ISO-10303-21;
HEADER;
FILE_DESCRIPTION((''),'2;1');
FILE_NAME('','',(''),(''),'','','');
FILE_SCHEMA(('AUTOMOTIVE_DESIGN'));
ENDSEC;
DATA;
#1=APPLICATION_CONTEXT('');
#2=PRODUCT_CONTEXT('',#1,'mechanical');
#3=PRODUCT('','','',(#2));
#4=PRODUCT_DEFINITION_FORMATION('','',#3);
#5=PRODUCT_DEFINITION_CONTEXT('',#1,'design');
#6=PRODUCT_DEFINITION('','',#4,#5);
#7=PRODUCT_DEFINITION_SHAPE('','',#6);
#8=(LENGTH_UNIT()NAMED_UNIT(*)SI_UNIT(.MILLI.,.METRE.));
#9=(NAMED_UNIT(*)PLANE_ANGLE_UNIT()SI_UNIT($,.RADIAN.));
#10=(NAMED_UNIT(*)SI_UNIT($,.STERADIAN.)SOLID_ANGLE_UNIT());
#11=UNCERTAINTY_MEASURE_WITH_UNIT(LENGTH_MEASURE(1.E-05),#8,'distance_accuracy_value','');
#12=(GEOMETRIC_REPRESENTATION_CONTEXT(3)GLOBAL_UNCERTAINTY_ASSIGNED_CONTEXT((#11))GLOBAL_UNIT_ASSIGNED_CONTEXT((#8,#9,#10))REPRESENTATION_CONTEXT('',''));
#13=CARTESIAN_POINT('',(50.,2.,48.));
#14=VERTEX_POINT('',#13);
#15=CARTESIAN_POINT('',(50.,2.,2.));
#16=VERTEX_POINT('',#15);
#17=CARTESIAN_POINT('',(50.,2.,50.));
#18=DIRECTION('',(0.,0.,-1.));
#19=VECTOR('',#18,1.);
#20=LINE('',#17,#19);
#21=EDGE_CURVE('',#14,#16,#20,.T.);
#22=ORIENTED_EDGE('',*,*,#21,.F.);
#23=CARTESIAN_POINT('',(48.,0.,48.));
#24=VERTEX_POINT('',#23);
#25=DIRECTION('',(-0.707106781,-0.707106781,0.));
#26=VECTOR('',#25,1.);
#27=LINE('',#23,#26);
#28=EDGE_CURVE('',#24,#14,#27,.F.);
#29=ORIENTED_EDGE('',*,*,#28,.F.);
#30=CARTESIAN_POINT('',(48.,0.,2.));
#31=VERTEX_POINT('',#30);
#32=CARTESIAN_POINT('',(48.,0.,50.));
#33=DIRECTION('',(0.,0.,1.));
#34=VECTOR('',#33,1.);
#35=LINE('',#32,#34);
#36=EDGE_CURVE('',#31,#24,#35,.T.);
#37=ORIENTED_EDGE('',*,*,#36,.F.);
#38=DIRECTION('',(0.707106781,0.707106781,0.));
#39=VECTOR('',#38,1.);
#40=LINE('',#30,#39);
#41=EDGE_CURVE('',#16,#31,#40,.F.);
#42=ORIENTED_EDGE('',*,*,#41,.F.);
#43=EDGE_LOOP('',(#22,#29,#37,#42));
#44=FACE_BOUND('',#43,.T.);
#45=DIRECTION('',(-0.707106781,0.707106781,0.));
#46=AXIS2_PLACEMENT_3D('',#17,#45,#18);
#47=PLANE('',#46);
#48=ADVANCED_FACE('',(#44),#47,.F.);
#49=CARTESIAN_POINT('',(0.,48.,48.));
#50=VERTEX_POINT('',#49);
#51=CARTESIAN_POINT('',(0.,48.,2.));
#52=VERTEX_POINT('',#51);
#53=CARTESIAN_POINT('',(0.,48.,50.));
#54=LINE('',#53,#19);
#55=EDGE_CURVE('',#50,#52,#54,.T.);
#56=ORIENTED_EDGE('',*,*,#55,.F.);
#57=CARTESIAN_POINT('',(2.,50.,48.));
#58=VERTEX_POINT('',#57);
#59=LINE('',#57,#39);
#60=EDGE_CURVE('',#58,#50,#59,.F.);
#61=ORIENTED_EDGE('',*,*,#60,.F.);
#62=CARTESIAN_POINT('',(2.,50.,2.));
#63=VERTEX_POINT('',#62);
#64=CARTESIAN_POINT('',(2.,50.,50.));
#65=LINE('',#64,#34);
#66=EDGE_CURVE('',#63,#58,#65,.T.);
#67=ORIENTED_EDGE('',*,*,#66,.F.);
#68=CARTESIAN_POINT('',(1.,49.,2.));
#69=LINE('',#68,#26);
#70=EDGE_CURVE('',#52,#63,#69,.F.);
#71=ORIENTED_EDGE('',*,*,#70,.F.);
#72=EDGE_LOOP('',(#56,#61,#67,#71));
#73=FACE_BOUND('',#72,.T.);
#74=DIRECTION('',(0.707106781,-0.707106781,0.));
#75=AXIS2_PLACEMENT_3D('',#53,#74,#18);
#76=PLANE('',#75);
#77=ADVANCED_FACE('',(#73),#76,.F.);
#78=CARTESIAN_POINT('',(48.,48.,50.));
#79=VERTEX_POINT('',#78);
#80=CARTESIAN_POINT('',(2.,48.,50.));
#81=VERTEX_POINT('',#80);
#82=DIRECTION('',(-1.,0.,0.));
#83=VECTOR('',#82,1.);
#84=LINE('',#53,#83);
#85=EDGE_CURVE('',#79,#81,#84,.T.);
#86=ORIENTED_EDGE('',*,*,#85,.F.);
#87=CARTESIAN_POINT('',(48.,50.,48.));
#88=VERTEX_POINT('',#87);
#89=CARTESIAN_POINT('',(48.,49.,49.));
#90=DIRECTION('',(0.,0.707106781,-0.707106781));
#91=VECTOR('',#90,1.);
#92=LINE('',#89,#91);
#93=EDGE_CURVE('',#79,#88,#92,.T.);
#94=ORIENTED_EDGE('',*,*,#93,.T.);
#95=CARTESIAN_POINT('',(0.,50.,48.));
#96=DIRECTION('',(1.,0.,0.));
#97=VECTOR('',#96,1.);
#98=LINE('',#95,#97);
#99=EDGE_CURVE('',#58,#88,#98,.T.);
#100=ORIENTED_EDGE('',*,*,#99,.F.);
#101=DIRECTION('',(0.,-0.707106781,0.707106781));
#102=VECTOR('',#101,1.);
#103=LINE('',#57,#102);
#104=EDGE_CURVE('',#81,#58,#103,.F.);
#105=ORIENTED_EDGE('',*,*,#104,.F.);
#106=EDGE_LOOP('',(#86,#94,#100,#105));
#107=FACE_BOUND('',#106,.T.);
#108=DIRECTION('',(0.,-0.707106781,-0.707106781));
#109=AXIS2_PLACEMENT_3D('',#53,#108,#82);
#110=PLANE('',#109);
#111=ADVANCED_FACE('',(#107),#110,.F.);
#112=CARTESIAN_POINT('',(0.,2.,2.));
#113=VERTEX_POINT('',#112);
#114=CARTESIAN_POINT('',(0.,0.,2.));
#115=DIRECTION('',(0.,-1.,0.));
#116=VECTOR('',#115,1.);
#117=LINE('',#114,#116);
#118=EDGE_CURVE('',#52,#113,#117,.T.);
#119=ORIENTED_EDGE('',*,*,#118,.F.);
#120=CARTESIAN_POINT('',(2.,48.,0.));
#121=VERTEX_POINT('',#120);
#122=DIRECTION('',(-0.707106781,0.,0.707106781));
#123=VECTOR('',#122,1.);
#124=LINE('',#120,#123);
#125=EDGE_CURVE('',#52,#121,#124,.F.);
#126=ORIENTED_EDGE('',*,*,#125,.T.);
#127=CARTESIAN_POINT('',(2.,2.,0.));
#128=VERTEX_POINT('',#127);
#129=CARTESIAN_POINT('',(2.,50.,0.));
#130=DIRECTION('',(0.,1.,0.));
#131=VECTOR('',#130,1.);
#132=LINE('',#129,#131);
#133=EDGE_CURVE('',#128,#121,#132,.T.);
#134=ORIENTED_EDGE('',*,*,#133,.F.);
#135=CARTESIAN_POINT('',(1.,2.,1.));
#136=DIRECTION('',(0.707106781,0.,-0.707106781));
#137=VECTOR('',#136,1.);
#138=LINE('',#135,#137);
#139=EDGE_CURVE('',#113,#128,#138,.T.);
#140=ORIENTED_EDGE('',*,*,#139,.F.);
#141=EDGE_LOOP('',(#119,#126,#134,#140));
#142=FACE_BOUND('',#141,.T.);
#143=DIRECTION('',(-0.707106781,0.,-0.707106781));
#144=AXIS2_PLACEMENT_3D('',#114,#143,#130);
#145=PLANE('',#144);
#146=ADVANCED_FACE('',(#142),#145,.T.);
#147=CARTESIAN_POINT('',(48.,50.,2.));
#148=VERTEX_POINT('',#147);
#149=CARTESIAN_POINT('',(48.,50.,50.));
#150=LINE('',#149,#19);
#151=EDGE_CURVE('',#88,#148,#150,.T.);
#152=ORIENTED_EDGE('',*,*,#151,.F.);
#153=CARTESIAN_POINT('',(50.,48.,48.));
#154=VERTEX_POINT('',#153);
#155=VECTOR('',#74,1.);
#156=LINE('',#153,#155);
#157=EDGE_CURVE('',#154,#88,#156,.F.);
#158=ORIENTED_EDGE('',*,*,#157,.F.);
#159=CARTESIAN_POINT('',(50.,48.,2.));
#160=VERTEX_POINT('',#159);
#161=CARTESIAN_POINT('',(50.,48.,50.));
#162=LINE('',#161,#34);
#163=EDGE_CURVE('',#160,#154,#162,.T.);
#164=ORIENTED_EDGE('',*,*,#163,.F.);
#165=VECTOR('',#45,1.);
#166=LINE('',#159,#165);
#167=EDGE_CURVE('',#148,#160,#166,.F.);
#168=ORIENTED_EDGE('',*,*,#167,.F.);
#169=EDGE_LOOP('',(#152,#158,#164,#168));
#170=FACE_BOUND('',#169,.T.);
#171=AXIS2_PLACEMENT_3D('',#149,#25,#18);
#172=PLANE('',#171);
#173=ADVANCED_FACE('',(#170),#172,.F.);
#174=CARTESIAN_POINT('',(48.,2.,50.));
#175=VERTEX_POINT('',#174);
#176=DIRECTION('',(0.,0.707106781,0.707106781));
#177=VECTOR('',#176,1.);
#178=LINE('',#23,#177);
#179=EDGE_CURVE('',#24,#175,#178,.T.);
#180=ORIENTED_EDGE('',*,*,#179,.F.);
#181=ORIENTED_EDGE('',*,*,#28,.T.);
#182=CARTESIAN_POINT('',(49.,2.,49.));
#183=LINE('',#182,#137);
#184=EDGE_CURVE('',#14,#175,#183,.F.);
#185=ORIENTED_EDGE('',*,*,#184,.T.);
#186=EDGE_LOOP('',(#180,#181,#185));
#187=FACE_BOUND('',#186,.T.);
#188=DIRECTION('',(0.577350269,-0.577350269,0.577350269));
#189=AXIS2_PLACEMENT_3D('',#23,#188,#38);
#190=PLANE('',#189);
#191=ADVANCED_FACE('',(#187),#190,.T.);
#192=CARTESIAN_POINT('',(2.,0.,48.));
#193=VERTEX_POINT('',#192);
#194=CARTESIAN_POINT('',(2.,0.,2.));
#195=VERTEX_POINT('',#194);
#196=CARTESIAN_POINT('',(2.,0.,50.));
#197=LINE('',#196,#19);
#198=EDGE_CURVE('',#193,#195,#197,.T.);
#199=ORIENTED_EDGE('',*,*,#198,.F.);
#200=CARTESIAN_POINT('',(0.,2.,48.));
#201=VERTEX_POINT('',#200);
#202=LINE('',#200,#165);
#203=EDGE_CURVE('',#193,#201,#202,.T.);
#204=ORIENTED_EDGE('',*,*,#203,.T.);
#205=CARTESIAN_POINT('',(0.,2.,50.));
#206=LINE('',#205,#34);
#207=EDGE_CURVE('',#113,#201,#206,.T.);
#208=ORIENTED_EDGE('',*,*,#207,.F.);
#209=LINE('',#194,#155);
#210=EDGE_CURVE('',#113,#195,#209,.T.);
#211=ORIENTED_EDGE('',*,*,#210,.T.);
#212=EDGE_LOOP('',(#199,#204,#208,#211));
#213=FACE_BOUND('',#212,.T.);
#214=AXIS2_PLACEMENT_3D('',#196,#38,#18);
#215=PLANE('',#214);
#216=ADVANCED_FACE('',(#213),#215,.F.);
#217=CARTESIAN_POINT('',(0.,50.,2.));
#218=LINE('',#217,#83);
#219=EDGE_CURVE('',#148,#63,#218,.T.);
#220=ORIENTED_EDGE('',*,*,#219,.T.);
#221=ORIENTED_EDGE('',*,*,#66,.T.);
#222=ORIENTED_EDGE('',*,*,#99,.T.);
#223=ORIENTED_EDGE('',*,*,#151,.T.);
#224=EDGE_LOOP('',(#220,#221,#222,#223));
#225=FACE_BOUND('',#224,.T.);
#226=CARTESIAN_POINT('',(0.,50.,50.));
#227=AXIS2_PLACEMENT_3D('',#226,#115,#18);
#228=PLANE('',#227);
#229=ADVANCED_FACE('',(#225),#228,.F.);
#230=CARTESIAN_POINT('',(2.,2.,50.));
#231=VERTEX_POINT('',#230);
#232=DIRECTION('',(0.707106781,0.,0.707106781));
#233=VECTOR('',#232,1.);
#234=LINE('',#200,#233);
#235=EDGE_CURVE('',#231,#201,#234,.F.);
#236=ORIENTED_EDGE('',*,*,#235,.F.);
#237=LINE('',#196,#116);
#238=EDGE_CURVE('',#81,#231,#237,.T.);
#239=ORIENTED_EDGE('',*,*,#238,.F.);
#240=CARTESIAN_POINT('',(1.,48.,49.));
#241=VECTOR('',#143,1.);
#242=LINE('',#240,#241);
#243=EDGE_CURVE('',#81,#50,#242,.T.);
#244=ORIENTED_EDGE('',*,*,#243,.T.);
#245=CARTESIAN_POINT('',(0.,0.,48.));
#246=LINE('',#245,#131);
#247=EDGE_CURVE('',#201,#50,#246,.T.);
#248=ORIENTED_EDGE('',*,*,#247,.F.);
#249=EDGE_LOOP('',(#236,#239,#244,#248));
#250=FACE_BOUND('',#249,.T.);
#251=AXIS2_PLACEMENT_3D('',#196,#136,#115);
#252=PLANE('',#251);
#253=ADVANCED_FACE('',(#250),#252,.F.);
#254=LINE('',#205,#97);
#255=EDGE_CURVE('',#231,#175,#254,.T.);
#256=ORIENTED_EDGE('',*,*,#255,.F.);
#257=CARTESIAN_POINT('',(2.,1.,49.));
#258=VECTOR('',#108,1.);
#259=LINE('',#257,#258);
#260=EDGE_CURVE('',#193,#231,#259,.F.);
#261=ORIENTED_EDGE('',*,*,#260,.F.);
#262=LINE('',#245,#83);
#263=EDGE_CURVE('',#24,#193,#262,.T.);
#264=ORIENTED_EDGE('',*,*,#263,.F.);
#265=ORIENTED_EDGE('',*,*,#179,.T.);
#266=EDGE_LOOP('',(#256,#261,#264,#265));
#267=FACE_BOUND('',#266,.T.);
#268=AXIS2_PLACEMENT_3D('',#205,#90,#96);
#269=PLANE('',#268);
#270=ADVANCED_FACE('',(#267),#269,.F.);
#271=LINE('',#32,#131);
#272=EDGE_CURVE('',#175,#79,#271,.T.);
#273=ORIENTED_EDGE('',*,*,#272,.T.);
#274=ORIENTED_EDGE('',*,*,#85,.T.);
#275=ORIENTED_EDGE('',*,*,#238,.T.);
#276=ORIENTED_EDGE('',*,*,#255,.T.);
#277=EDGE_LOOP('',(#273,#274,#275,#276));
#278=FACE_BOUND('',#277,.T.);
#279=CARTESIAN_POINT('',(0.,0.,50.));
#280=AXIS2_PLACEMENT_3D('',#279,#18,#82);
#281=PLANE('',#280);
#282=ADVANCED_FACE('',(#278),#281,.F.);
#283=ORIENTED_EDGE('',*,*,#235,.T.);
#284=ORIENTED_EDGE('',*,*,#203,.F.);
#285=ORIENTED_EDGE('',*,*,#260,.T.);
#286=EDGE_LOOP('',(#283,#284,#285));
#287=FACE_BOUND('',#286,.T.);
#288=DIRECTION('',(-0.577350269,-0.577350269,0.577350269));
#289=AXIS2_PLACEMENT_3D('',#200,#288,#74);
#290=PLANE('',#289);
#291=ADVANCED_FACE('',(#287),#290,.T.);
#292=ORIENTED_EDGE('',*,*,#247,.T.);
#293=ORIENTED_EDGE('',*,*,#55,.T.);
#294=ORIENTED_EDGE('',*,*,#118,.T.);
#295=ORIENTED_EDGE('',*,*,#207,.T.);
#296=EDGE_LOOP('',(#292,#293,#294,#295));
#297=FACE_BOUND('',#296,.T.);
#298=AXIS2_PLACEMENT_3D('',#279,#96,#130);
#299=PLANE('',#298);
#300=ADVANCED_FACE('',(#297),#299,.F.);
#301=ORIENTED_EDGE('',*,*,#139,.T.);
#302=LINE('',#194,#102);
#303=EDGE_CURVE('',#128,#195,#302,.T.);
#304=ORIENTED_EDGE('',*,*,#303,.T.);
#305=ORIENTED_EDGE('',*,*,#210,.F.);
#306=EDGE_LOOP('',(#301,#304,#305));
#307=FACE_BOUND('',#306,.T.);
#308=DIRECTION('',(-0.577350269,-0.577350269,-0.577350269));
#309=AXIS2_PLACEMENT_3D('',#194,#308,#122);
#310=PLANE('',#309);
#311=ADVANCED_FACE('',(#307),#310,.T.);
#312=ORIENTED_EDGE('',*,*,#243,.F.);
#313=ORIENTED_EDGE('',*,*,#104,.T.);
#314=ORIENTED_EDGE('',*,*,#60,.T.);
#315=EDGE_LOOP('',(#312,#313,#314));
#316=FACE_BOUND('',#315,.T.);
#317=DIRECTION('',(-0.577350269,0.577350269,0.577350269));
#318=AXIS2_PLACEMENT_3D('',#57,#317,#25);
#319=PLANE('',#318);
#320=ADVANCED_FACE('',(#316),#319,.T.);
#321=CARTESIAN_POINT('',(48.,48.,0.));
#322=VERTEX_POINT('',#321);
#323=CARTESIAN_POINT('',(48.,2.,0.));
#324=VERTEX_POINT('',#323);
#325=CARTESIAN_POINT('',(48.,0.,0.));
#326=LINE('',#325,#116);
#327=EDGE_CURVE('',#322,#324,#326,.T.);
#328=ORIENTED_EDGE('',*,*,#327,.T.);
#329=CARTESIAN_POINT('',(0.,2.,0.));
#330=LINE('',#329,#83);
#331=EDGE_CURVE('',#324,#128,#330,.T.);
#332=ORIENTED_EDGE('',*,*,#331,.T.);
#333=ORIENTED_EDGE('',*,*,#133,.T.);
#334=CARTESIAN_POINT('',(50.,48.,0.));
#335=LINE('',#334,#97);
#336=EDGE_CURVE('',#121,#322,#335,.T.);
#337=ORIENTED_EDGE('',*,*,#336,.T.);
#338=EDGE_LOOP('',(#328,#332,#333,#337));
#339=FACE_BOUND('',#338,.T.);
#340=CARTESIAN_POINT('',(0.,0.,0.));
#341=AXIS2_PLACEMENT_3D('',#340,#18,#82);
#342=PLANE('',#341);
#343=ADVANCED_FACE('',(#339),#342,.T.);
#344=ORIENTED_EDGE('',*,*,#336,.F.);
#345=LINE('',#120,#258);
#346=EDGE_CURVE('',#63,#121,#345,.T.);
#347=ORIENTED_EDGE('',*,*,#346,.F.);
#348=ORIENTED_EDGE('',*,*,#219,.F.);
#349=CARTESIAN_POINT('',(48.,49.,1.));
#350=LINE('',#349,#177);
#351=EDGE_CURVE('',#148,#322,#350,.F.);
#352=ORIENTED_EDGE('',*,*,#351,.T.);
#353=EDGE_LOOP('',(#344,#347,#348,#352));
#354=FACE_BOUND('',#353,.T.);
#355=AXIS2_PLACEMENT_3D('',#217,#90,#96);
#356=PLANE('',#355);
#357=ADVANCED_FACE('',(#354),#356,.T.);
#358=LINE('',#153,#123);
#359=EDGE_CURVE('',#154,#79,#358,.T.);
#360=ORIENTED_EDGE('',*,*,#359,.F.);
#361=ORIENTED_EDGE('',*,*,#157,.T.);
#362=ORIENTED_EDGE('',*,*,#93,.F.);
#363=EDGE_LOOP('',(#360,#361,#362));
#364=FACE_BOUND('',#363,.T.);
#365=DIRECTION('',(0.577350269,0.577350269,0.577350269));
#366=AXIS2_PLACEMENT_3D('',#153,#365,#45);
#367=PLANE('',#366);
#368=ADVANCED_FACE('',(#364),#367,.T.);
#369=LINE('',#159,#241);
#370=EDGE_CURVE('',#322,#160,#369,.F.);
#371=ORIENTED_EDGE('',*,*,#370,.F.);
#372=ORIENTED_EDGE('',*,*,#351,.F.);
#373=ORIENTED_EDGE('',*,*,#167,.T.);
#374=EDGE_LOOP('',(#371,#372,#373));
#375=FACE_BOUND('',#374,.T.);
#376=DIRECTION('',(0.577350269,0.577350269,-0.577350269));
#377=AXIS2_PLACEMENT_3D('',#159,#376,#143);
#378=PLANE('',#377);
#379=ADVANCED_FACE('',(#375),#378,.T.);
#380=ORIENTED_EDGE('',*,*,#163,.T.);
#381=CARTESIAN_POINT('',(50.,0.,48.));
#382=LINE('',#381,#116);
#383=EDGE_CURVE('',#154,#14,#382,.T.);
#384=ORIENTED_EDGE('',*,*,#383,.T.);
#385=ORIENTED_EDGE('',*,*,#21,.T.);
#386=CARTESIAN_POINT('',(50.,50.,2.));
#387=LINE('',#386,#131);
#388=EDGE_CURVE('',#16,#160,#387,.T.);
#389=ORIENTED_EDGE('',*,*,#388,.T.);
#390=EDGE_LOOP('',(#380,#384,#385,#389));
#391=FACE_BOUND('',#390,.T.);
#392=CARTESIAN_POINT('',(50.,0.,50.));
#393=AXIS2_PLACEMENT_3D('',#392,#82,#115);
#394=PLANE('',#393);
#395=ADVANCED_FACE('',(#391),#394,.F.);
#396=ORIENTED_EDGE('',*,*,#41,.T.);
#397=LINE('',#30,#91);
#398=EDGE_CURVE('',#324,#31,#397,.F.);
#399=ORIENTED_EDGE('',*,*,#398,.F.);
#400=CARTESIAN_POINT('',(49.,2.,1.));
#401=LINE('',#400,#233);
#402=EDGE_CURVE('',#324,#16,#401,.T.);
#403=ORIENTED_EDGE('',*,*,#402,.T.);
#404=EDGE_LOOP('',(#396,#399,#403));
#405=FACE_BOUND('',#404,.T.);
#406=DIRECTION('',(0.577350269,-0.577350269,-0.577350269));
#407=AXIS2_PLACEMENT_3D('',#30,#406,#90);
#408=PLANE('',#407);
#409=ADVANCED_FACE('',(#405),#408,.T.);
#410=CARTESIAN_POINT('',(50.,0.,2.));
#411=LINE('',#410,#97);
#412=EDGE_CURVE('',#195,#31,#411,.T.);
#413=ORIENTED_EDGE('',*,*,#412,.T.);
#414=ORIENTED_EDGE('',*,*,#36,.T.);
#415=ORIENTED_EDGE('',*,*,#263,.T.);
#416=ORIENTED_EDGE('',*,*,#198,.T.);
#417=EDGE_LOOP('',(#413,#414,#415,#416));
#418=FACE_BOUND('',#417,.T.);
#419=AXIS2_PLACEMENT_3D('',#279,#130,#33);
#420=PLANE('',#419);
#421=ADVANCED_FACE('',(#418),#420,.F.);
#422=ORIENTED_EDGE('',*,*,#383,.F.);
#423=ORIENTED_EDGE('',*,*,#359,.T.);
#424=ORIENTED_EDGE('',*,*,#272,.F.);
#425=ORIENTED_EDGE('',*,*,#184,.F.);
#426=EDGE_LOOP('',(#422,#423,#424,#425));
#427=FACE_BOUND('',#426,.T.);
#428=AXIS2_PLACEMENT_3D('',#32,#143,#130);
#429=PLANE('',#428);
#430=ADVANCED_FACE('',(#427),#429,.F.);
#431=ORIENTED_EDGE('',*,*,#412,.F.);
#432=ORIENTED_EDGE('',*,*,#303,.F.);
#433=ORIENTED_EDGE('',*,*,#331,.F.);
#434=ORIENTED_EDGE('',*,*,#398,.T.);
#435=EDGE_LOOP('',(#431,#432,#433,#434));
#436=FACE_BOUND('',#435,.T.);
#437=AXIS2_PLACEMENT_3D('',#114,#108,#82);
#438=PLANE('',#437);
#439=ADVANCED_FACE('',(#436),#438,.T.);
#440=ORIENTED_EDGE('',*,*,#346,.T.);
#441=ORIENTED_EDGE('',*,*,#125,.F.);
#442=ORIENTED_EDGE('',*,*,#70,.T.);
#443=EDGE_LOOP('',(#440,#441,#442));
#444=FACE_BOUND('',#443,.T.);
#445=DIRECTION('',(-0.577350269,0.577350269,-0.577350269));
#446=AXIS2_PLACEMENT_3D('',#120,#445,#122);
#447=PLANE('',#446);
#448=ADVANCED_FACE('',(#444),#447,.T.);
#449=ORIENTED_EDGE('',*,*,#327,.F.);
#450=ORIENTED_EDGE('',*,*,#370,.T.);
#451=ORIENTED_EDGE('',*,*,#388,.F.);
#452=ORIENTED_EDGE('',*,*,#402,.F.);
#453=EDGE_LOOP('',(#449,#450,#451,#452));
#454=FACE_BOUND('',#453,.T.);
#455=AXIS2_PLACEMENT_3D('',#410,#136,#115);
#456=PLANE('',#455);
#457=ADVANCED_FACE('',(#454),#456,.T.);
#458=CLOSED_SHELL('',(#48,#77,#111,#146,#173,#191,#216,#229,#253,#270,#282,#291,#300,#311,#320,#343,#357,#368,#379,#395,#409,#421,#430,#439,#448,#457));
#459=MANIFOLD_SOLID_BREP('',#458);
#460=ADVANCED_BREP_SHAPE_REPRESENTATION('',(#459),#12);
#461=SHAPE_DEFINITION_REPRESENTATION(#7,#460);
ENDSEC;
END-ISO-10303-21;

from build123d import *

# Parameters (mm, degrees)
ESQUISSE1_W        = 50
ESQUISSE1_H        = 50
BOSS_EXTRU_1_DEPTH = 50
CHANFREIN1_SIZE    = 2


with BuildPart() as part:
    # Esquisse1 → Boss.-Extru.1 (new body)
    with BuildSketch(Plane.XY):
        with Locations((25, 25)):
            Rectangle(ESQUISSE1_W, ESQUISSE1_H)
    extrude(amount=BOSS_EXTRU_1_DEPTH)

    # Chanfrein1
    chanfrein1_edges = [part.edges().sort_by_distance(p)[0] for p in [
        (50, 25, 50),
        (25, 50, 50),
        (0, 25, 50),
        (25, 50, 0),
        (50, 25, 0),
        (25, 0, 0),
        (0, 25, 0),
        (0, 50, 25),
        (50, 50, 25),
        (50, 0, 25),
        (0, 0, 25),
        (25, 0, 50),
    ]]
    chamfer(chanfrein1_edges, length=CHANFREIN1_SIZE)


solid = part.part
